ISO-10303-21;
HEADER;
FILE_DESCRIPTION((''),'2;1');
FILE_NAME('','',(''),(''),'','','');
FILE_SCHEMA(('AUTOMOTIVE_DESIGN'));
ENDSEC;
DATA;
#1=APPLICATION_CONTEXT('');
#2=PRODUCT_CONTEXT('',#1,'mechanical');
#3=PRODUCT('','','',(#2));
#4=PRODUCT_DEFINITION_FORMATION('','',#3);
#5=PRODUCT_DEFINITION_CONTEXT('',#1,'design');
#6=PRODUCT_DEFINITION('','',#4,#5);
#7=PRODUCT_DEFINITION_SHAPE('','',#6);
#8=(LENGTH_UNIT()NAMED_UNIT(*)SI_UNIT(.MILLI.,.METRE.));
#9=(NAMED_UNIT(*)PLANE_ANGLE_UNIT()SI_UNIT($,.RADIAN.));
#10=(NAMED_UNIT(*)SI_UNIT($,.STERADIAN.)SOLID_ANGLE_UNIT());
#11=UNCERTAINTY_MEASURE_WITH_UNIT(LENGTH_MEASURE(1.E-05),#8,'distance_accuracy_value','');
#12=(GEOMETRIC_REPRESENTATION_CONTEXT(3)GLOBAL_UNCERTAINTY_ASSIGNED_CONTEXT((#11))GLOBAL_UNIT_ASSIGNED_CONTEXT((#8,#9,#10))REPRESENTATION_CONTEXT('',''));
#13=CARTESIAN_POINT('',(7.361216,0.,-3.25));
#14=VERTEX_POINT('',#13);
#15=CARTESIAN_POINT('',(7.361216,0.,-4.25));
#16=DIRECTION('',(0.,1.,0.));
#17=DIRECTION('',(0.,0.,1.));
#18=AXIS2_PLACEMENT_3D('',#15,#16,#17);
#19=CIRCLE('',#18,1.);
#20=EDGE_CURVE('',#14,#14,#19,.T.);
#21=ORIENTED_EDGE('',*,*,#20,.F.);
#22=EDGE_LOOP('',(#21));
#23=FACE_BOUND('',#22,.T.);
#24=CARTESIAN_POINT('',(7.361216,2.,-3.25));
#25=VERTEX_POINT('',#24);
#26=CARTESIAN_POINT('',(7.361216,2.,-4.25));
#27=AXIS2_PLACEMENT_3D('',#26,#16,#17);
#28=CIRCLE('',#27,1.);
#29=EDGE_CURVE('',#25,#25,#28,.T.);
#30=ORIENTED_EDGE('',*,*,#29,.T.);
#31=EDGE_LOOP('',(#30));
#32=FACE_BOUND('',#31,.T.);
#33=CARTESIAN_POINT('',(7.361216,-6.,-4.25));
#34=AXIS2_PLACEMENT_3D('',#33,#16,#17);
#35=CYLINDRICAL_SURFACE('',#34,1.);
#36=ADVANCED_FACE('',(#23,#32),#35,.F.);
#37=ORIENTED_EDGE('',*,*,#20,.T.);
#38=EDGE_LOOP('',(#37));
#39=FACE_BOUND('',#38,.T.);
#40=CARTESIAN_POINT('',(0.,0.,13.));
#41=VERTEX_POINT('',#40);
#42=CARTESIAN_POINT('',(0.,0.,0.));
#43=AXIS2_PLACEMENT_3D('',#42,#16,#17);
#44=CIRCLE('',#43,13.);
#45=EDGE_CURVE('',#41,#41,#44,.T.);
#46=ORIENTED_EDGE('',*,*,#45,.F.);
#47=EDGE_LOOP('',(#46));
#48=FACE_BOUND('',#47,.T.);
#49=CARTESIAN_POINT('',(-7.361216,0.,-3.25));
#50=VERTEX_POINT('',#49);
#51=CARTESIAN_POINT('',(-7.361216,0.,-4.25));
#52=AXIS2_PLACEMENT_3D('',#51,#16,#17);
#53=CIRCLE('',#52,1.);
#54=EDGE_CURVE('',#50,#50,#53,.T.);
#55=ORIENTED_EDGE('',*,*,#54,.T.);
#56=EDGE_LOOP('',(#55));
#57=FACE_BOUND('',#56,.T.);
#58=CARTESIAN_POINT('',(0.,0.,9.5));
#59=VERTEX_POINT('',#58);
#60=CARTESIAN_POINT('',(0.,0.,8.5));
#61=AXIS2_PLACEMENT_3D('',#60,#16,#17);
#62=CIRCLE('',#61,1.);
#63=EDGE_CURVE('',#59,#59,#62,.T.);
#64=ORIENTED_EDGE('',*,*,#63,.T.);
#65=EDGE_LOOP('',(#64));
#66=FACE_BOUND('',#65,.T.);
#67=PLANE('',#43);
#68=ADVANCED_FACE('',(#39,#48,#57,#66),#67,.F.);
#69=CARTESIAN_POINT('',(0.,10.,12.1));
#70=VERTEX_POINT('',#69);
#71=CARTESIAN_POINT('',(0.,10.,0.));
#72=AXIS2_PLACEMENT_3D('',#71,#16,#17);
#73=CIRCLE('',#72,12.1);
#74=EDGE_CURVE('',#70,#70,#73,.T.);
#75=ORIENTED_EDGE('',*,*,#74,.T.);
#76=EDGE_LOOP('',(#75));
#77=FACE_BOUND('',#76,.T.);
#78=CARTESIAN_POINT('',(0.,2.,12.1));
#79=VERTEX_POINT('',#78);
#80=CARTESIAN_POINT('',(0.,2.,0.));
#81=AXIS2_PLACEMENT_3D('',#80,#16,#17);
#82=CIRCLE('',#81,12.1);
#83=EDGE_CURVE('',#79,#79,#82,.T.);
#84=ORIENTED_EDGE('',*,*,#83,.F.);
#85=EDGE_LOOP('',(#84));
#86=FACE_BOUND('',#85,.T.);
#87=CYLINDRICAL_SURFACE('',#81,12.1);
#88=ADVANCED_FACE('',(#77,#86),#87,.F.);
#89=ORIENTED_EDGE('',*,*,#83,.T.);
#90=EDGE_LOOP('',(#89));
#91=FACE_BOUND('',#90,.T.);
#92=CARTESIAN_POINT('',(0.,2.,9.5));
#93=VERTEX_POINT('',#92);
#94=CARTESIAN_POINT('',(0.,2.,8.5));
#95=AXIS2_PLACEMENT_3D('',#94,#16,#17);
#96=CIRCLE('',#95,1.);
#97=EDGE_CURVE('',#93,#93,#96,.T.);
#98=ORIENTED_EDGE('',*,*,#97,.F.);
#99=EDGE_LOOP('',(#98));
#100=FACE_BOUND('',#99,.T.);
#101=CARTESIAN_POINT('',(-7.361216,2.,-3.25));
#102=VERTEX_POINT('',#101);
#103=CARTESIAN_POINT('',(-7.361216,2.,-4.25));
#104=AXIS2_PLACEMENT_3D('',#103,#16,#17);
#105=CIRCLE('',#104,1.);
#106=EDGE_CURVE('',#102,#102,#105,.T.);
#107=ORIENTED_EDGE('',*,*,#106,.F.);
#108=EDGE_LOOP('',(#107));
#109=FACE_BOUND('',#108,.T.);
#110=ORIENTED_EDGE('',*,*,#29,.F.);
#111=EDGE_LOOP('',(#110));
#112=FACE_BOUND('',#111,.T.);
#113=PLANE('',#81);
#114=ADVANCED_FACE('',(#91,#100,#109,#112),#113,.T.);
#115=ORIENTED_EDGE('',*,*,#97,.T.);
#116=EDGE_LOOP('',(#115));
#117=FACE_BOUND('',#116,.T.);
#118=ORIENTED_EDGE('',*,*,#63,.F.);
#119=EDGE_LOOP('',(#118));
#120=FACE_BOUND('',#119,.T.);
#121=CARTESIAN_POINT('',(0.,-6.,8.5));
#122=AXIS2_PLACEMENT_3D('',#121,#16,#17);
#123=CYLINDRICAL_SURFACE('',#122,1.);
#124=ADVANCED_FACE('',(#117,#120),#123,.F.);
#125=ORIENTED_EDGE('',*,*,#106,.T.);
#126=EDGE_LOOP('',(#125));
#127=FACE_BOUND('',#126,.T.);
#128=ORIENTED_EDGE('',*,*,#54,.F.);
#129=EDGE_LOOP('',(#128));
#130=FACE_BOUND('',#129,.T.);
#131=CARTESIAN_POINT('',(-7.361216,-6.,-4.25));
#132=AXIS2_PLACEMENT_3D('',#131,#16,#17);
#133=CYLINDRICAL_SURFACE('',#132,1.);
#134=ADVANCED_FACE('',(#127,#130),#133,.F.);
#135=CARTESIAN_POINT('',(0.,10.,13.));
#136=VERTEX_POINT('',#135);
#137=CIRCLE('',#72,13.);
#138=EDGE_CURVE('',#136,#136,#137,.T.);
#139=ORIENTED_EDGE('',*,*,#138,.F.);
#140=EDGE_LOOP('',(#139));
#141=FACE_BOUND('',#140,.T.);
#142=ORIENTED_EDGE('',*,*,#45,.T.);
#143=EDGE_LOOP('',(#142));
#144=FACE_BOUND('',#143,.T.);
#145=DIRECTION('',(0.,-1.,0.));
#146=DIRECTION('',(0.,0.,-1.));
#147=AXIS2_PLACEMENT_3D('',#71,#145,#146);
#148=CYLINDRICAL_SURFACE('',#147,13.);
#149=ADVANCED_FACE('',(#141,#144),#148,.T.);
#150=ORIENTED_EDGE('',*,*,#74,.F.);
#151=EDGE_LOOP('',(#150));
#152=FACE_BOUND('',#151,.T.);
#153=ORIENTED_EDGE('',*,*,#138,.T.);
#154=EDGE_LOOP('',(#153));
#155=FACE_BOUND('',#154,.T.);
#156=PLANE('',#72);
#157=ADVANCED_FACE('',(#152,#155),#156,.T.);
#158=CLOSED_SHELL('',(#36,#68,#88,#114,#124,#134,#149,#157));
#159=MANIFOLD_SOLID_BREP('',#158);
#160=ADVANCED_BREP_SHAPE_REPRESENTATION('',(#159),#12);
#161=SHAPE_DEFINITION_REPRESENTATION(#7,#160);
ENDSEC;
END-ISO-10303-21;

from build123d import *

# Parameters (mm, degrees)
SKETCH2_R           = 13
BOSS_EXTRUDE2_DEPTH = 10
SKETCH5_R           = 12.1
CUT_EXTRUDE2_DEPTH  = 8
SKETCH6_R           = 1
CUT_EXTRUDE3_DEPTH  = 8


with BuildPart() as part:
    # Sketch2 → Boss-Extrude2 (new body)
    with BuildSketch(Plane(origin=(0, 0, 0), x_dir=(1, 0, 0), z_dir=(0, 1, 0))):
        Circle(SKETCH2_R)
    extrude(amount=BOSS_EXTRUDE2_DEPTH)

    # Sketch5 → Cut-Extrude2 (cut)
    with BuildSketch(Plane(origin=(0, 10, 0), x_dir=(1, 0, 0), z_dir=(0, 1, 0))):
        Circle(SKETCH5_R)
    extrude(amount=-CUT_EXTRUDE2_DEPTH, mode=Mode.SUBTRACT)

    # Sketch6 → Cut-Extrude3 (cut)
    with BuildSketch(Plane(origin=(0, 2, 0), x_dir=(1, 0, 0), z_dir=(0, 1, 0))):
        with Locations((0, -8.5)):
            Circle(SKETCH6_R)
        with Locations((-7.361215932, 4.25)):
            Circle(SKETCH6_R)
        with Locations((7.361215932, 4.25)):
            Circle(SKETCH6_R)
    extrude(amount=-CUT_EXTRUDE3_DEPTH, mode=Mode.SUBTRACT)


solid = part.part
